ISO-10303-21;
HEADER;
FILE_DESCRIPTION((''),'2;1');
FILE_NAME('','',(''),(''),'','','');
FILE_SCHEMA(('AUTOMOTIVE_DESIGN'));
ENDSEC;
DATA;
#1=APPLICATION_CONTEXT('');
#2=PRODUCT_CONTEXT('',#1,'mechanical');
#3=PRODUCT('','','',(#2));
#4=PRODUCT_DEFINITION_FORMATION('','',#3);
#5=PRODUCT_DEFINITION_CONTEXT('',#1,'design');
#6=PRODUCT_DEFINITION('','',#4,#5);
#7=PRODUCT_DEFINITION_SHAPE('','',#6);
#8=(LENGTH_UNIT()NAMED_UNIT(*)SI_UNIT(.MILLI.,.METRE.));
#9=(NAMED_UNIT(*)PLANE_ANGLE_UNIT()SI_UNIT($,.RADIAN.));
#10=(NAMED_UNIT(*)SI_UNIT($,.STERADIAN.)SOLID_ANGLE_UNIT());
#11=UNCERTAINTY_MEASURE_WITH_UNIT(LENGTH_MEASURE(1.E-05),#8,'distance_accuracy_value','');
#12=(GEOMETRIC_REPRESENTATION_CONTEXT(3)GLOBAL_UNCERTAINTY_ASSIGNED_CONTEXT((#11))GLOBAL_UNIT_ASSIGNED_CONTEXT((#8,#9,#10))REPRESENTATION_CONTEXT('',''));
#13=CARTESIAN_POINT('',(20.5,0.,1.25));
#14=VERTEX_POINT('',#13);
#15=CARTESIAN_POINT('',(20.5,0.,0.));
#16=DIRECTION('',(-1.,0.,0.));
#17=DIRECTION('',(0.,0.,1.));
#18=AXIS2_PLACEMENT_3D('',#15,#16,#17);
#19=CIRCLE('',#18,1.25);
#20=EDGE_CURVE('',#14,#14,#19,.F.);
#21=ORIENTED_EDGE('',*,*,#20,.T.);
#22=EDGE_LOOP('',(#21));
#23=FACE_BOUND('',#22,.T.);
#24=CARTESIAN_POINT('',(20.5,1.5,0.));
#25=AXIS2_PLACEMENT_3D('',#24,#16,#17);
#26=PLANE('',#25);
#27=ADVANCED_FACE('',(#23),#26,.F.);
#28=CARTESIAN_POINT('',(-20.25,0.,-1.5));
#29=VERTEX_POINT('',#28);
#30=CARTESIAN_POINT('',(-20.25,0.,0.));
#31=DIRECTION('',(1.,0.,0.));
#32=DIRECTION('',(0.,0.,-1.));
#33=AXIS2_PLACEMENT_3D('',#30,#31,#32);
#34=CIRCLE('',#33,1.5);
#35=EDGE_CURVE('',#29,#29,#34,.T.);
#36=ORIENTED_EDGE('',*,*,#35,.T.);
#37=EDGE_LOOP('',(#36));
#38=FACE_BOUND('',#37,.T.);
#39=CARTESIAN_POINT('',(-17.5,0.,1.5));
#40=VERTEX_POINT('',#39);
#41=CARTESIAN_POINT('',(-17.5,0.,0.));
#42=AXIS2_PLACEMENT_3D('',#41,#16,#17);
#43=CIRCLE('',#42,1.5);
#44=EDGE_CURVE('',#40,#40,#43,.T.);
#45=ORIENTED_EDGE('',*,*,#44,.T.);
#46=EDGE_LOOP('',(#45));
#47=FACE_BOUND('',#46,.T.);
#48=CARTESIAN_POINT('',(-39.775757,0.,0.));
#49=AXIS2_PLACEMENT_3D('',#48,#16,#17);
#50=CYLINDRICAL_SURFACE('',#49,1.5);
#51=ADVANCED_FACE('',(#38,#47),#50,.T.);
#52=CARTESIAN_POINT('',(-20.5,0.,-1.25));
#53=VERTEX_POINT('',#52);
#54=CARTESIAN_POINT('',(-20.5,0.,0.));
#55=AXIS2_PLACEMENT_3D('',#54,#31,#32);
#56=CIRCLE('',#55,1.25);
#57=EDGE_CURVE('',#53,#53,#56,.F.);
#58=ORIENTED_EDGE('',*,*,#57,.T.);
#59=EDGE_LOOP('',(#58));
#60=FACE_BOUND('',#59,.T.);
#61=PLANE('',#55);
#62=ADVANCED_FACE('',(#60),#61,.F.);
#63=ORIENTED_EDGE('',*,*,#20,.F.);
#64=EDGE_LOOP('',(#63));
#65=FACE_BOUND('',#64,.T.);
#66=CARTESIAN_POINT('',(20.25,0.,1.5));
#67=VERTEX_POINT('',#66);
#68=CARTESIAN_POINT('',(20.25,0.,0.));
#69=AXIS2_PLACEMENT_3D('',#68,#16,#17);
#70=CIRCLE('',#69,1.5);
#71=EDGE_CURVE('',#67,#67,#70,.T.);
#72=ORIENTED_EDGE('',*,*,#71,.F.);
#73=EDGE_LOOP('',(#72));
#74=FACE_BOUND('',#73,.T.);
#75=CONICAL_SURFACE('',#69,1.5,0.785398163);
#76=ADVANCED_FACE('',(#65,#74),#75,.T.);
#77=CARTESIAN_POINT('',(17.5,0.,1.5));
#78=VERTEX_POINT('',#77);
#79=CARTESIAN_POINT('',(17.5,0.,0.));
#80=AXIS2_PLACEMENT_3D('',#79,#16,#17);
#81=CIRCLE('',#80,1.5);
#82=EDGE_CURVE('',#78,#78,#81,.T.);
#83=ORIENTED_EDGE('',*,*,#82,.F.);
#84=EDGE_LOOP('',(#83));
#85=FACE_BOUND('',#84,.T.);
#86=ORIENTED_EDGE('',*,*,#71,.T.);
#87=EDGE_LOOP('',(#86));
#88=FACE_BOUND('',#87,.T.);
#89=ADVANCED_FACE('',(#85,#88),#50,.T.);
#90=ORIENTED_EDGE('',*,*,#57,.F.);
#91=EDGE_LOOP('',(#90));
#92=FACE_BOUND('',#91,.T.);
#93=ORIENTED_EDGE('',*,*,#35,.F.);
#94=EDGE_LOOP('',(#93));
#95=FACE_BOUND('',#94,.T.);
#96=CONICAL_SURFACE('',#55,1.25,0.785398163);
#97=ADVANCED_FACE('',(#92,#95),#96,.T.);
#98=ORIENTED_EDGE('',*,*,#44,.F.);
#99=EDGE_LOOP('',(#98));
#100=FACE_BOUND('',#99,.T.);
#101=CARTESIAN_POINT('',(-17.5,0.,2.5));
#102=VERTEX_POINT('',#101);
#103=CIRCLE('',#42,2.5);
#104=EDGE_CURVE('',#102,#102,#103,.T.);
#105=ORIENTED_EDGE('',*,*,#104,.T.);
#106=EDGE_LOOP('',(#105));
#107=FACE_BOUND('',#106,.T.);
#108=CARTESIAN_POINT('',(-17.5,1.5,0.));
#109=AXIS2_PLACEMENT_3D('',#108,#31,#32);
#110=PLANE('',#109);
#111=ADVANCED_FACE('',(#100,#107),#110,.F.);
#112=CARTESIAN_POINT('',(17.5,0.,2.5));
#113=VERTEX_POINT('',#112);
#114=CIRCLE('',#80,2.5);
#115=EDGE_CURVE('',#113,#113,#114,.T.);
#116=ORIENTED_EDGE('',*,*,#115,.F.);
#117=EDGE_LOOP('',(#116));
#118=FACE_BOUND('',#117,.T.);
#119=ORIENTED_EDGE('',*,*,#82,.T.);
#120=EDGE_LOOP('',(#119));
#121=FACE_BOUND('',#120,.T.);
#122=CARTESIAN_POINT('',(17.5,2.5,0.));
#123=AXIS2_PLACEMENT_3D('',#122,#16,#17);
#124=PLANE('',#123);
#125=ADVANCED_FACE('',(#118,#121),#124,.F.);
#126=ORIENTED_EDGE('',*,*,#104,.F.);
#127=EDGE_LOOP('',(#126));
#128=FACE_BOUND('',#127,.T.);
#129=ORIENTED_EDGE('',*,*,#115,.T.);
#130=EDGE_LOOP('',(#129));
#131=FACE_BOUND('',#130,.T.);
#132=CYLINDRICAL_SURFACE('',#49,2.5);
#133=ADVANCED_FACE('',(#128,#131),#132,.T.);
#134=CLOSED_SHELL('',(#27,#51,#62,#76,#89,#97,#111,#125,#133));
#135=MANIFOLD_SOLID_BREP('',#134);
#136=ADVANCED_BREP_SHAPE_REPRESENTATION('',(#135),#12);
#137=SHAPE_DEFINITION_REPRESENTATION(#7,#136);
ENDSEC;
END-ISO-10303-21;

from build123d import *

# Parameters (mm, degrees)
CHAMFER2_SIZE = 0.25


with BuildPart() as part:
    # Sketch1 → Revolve1 (revolve)
    with BuildSketch(Plane.XY, mode=Mode.PRIVATE) as revolve1_sk:
        Polygon((-20.5, 0), (-20.5, 1.5), (-17.5, 1.5), (-17.5, 2.5), (17.5, 2.5), (17.5, 1.5), (20.5, 1.5), (20.5, 0), align=None)
    revolve(revolve1_sk.sketch.rotate(Axis((-39.77575721, 0, 0), (1, 0, 0)), 90), axis=Axis((-39.77575721, 0, 0), (1, 0, 0)))

    # Chamfer2
    chamfer2_edges = [part.edges().sort_by_distance(p)[0] for p in [
        (20.5, 0, -1.5),
        (-20.5, 0, -1.5),
    ]]
    chamfer(chamfer2_edges, length=CHAMFER2_SIZE)


solid = part.part
